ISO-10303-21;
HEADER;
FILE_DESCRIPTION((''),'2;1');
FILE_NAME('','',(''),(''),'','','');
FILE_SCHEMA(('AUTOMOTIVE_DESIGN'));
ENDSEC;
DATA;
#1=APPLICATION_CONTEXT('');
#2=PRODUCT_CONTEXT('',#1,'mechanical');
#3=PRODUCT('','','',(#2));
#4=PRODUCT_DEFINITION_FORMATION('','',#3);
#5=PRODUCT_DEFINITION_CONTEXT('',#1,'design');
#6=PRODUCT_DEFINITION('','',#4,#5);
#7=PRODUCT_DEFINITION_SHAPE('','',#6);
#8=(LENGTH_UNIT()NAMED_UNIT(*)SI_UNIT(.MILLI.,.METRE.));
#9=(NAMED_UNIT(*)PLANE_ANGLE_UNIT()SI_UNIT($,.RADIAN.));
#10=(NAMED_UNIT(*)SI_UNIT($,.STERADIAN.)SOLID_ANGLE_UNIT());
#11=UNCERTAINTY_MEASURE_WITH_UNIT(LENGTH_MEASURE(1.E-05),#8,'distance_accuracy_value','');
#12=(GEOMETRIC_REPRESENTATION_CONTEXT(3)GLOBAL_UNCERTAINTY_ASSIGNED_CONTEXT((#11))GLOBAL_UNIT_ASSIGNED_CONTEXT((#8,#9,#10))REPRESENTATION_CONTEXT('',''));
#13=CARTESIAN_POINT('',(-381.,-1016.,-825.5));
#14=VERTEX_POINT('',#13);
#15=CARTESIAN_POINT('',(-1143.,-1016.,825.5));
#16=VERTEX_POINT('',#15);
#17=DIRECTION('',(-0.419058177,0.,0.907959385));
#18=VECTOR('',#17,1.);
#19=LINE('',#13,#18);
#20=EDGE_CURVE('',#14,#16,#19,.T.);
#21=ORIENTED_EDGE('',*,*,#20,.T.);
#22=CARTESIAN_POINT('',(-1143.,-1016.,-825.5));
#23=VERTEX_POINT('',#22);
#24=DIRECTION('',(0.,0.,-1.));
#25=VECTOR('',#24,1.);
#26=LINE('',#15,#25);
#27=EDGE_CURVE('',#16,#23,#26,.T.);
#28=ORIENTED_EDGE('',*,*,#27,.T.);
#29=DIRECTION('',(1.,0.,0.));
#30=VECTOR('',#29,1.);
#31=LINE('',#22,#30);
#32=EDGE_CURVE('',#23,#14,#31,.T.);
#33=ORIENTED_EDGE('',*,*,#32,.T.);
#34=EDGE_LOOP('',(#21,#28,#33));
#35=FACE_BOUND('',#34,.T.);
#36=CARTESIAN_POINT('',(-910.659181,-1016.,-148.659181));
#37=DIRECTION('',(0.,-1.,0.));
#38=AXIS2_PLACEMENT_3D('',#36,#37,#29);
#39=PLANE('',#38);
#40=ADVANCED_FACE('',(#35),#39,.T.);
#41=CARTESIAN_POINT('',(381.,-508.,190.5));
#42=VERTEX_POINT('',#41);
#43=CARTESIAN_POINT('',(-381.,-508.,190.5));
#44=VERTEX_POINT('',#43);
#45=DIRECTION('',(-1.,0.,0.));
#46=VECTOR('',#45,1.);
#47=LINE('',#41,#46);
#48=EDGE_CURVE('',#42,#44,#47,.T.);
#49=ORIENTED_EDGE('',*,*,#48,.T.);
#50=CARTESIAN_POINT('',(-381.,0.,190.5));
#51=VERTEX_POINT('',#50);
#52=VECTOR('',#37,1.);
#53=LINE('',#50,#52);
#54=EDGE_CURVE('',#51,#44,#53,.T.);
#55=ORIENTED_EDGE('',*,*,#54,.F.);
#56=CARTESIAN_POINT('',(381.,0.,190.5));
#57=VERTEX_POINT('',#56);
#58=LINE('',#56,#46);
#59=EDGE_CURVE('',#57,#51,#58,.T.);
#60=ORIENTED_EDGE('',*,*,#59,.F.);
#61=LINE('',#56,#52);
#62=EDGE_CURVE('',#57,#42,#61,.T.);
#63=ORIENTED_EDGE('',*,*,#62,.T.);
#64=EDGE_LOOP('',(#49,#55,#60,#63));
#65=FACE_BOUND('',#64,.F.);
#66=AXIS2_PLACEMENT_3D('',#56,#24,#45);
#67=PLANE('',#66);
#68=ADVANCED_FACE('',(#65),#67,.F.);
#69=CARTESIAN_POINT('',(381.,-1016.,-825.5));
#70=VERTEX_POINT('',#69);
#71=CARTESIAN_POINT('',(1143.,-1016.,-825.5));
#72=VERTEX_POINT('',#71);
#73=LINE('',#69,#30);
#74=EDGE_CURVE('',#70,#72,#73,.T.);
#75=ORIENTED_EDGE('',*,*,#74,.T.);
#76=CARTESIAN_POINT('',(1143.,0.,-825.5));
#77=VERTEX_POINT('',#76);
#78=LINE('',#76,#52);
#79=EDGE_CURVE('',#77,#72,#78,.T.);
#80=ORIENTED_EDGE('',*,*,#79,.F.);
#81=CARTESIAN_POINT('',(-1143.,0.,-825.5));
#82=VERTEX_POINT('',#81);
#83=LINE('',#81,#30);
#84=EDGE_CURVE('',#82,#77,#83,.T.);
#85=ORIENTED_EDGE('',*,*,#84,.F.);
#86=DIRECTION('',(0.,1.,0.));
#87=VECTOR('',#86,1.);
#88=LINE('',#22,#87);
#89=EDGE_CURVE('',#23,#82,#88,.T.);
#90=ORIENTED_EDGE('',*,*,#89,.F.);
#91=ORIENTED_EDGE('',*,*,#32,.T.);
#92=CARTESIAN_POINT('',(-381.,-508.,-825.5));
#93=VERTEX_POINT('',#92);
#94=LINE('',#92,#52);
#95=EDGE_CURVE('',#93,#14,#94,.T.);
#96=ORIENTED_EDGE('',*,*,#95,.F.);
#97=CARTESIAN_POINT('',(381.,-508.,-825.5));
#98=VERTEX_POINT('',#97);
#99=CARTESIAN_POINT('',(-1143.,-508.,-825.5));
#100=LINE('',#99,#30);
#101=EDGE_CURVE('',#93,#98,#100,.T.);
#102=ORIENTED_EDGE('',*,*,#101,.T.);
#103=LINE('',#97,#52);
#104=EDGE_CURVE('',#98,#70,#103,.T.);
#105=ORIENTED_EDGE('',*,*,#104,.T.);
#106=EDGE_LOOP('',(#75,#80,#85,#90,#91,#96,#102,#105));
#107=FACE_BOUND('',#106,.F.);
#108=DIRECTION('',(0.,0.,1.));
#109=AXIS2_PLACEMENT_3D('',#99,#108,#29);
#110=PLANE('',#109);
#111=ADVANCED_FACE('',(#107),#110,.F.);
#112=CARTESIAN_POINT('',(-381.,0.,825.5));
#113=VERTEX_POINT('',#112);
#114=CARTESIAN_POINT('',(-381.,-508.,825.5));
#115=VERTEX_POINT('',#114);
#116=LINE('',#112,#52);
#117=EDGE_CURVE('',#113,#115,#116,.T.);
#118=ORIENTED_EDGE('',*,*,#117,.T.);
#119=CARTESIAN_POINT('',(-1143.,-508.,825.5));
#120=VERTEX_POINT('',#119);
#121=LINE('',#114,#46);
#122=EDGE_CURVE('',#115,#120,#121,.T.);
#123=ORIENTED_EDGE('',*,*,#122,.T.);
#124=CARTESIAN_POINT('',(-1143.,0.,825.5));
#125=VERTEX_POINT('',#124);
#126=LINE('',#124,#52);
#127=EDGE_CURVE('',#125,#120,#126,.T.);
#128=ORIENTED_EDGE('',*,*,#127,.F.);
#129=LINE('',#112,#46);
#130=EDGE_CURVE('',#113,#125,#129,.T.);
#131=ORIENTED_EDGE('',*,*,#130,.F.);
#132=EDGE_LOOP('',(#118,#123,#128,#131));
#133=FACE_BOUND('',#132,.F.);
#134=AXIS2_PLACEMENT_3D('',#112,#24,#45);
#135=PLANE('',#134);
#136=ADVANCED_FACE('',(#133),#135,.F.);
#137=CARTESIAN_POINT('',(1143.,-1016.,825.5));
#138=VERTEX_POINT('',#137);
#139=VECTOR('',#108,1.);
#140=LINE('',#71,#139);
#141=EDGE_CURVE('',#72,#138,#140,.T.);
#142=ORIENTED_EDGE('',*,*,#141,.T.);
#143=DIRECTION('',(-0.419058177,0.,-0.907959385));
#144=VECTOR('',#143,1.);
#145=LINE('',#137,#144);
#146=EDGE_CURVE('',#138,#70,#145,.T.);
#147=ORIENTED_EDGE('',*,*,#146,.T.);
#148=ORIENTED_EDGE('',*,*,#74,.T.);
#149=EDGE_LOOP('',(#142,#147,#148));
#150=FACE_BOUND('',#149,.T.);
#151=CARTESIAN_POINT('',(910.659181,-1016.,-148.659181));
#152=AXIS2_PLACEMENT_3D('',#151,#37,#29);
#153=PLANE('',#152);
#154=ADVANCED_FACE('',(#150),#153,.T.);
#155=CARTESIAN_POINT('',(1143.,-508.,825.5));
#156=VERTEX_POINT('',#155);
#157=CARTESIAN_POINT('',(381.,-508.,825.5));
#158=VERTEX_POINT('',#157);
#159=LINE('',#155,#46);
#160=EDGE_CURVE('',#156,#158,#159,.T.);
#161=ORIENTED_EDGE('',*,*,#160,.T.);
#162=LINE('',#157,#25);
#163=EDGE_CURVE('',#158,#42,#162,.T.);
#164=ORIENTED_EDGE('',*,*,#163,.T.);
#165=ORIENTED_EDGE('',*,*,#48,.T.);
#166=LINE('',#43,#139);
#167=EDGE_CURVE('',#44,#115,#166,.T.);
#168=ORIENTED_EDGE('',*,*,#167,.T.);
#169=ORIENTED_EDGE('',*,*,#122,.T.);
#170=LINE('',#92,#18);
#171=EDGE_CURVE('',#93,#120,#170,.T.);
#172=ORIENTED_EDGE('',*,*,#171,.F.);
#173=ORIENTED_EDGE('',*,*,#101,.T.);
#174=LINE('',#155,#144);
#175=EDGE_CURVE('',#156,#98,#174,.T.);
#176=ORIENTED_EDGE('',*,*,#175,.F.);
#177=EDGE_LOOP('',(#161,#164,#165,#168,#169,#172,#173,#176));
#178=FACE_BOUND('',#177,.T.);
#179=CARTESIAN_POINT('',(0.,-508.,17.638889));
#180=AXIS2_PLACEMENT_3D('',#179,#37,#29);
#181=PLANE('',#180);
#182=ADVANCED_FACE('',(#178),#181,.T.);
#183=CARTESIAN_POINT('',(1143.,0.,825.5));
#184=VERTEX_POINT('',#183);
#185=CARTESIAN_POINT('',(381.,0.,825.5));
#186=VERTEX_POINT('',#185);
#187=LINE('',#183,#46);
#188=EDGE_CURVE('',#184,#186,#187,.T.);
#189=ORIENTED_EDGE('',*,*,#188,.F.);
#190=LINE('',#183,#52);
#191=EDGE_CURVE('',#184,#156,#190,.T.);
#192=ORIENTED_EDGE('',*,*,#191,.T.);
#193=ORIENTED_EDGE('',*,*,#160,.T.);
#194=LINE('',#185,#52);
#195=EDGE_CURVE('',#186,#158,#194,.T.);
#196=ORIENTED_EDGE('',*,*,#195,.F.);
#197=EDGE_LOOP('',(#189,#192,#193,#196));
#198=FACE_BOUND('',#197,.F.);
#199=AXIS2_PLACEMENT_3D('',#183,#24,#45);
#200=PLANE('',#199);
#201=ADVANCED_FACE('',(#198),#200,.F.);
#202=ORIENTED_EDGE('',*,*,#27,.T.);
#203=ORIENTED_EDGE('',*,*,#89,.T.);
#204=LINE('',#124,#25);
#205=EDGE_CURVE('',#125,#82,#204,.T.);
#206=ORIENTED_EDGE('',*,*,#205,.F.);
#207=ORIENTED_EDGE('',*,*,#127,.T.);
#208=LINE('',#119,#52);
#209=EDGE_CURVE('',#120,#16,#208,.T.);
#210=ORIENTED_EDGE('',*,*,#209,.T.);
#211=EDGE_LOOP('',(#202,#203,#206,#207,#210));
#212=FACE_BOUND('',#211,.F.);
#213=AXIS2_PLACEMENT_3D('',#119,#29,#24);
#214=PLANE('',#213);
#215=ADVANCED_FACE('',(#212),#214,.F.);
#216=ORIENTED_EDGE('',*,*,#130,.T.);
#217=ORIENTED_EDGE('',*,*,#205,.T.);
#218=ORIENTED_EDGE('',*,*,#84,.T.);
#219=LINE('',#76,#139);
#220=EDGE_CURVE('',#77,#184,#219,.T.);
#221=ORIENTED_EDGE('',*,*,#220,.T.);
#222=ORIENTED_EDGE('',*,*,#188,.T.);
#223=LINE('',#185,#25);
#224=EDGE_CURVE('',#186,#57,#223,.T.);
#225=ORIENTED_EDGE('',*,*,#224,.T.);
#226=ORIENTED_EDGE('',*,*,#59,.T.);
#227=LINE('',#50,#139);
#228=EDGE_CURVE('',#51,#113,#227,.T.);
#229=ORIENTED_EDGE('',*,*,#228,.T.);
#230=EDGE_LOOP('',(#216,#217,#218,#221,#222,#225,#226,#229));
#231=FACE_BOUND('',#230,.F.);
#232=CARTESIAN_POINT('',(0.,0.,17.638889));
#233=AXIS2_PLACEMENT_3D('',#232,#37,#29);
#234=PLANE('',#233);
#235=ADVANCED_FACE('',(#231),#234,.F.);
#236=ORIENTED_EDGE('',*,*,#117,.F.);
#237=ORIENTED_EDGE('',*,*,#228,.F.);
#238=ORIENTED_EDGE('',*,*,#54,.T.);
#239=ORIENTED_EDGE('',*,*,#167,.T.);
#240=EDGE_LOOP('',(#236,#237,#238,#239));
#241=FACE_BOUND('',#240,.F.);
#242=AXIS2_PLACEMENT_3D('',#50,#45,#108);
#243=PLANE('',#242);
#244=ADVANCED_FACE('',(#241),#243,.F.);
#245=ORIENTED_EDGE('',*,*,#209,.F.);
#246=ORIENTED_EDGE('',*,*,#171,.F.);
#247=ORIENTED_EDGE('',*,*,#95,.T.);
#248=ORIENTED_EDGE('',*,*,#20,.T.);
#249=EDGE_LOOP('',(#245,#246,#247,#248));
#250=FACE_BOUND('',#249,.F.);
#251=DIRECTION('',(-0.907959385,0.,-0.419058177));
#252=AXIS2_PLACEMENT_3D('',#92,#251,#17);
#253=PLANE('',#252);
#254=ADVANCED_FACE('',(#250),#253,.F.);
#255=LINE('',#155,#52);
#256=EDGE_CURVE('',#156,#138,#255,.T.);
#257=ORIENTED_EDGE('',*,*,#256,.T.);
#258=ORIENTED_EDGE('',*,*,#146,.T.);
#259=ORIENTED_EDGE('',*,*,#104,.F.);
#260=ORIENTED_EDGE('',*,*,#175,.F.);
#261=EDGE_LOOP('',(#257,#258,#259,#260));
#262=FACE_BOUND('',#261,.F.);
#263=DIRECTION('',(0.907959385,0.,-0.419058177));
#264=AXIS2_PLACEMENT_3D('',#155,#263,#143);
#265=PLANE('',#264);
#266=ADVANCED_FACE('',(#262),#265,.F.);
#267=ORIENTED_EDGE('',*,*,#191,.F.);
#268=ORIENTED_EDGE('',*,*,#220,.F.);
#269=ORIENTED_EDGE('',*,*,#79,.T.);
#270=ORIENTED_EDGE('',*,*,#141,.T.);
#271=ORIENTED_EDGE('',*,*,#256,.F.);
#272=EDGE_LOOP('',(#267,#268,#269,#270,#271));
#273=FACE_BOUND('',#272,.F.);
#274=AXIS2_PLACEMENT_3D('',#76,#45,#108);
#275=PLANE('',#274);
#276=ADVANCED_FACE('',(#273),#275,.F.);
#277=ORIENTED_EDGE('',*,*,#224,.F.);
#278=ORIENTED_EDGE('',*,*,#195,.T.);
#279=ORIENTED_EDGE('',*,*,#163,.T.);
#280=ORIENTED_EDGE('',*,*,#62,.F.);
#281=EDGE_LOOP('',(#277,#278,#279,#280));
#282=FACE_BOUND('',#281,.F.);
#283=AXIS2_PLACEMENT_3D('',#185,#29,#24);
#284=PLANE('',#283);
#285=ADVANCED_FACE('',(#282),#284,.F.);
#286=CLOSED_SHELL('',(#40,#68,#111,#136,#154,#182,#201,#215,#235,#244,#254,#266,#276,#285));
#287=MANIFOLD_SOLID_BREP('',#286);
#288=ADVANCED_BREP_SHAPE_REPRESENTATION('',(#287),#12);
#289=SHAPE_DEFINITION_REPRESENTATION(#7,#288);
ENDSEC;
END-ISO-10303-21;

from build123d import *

# Parameters (mm, degrees)
F1_DEPTH = 508
F3_DEPTH = 508


with BuildPart() as f1:
    # F0 (on Front) → F1 (new body)
    with BuildSketch(Plane.XZ):
        Polygon((381, -825.5), (1143, -825.5), (1143, 825.5), (381, 825.5), (381, 190.5), (-381, 190.5), (-381, 825.5), (-1143, 825.5), (-1143, -825.5), (-381, -825.5), align=None)
    extrude(amount=F1_DEPTH)

    # F2 (on face) → F3 (join)
    with BuildSketch(Plane.XZ.offset(508)):
        Polygon((-381, -825.5), (-1143, 825.5), (-1143, -825.5), align=None)
        Polygon((1143, -825.5), (1143, 825.5), (381, -825.5), align=None)
    extrude(amount=F3_DEPTH)


solid = f1.part
